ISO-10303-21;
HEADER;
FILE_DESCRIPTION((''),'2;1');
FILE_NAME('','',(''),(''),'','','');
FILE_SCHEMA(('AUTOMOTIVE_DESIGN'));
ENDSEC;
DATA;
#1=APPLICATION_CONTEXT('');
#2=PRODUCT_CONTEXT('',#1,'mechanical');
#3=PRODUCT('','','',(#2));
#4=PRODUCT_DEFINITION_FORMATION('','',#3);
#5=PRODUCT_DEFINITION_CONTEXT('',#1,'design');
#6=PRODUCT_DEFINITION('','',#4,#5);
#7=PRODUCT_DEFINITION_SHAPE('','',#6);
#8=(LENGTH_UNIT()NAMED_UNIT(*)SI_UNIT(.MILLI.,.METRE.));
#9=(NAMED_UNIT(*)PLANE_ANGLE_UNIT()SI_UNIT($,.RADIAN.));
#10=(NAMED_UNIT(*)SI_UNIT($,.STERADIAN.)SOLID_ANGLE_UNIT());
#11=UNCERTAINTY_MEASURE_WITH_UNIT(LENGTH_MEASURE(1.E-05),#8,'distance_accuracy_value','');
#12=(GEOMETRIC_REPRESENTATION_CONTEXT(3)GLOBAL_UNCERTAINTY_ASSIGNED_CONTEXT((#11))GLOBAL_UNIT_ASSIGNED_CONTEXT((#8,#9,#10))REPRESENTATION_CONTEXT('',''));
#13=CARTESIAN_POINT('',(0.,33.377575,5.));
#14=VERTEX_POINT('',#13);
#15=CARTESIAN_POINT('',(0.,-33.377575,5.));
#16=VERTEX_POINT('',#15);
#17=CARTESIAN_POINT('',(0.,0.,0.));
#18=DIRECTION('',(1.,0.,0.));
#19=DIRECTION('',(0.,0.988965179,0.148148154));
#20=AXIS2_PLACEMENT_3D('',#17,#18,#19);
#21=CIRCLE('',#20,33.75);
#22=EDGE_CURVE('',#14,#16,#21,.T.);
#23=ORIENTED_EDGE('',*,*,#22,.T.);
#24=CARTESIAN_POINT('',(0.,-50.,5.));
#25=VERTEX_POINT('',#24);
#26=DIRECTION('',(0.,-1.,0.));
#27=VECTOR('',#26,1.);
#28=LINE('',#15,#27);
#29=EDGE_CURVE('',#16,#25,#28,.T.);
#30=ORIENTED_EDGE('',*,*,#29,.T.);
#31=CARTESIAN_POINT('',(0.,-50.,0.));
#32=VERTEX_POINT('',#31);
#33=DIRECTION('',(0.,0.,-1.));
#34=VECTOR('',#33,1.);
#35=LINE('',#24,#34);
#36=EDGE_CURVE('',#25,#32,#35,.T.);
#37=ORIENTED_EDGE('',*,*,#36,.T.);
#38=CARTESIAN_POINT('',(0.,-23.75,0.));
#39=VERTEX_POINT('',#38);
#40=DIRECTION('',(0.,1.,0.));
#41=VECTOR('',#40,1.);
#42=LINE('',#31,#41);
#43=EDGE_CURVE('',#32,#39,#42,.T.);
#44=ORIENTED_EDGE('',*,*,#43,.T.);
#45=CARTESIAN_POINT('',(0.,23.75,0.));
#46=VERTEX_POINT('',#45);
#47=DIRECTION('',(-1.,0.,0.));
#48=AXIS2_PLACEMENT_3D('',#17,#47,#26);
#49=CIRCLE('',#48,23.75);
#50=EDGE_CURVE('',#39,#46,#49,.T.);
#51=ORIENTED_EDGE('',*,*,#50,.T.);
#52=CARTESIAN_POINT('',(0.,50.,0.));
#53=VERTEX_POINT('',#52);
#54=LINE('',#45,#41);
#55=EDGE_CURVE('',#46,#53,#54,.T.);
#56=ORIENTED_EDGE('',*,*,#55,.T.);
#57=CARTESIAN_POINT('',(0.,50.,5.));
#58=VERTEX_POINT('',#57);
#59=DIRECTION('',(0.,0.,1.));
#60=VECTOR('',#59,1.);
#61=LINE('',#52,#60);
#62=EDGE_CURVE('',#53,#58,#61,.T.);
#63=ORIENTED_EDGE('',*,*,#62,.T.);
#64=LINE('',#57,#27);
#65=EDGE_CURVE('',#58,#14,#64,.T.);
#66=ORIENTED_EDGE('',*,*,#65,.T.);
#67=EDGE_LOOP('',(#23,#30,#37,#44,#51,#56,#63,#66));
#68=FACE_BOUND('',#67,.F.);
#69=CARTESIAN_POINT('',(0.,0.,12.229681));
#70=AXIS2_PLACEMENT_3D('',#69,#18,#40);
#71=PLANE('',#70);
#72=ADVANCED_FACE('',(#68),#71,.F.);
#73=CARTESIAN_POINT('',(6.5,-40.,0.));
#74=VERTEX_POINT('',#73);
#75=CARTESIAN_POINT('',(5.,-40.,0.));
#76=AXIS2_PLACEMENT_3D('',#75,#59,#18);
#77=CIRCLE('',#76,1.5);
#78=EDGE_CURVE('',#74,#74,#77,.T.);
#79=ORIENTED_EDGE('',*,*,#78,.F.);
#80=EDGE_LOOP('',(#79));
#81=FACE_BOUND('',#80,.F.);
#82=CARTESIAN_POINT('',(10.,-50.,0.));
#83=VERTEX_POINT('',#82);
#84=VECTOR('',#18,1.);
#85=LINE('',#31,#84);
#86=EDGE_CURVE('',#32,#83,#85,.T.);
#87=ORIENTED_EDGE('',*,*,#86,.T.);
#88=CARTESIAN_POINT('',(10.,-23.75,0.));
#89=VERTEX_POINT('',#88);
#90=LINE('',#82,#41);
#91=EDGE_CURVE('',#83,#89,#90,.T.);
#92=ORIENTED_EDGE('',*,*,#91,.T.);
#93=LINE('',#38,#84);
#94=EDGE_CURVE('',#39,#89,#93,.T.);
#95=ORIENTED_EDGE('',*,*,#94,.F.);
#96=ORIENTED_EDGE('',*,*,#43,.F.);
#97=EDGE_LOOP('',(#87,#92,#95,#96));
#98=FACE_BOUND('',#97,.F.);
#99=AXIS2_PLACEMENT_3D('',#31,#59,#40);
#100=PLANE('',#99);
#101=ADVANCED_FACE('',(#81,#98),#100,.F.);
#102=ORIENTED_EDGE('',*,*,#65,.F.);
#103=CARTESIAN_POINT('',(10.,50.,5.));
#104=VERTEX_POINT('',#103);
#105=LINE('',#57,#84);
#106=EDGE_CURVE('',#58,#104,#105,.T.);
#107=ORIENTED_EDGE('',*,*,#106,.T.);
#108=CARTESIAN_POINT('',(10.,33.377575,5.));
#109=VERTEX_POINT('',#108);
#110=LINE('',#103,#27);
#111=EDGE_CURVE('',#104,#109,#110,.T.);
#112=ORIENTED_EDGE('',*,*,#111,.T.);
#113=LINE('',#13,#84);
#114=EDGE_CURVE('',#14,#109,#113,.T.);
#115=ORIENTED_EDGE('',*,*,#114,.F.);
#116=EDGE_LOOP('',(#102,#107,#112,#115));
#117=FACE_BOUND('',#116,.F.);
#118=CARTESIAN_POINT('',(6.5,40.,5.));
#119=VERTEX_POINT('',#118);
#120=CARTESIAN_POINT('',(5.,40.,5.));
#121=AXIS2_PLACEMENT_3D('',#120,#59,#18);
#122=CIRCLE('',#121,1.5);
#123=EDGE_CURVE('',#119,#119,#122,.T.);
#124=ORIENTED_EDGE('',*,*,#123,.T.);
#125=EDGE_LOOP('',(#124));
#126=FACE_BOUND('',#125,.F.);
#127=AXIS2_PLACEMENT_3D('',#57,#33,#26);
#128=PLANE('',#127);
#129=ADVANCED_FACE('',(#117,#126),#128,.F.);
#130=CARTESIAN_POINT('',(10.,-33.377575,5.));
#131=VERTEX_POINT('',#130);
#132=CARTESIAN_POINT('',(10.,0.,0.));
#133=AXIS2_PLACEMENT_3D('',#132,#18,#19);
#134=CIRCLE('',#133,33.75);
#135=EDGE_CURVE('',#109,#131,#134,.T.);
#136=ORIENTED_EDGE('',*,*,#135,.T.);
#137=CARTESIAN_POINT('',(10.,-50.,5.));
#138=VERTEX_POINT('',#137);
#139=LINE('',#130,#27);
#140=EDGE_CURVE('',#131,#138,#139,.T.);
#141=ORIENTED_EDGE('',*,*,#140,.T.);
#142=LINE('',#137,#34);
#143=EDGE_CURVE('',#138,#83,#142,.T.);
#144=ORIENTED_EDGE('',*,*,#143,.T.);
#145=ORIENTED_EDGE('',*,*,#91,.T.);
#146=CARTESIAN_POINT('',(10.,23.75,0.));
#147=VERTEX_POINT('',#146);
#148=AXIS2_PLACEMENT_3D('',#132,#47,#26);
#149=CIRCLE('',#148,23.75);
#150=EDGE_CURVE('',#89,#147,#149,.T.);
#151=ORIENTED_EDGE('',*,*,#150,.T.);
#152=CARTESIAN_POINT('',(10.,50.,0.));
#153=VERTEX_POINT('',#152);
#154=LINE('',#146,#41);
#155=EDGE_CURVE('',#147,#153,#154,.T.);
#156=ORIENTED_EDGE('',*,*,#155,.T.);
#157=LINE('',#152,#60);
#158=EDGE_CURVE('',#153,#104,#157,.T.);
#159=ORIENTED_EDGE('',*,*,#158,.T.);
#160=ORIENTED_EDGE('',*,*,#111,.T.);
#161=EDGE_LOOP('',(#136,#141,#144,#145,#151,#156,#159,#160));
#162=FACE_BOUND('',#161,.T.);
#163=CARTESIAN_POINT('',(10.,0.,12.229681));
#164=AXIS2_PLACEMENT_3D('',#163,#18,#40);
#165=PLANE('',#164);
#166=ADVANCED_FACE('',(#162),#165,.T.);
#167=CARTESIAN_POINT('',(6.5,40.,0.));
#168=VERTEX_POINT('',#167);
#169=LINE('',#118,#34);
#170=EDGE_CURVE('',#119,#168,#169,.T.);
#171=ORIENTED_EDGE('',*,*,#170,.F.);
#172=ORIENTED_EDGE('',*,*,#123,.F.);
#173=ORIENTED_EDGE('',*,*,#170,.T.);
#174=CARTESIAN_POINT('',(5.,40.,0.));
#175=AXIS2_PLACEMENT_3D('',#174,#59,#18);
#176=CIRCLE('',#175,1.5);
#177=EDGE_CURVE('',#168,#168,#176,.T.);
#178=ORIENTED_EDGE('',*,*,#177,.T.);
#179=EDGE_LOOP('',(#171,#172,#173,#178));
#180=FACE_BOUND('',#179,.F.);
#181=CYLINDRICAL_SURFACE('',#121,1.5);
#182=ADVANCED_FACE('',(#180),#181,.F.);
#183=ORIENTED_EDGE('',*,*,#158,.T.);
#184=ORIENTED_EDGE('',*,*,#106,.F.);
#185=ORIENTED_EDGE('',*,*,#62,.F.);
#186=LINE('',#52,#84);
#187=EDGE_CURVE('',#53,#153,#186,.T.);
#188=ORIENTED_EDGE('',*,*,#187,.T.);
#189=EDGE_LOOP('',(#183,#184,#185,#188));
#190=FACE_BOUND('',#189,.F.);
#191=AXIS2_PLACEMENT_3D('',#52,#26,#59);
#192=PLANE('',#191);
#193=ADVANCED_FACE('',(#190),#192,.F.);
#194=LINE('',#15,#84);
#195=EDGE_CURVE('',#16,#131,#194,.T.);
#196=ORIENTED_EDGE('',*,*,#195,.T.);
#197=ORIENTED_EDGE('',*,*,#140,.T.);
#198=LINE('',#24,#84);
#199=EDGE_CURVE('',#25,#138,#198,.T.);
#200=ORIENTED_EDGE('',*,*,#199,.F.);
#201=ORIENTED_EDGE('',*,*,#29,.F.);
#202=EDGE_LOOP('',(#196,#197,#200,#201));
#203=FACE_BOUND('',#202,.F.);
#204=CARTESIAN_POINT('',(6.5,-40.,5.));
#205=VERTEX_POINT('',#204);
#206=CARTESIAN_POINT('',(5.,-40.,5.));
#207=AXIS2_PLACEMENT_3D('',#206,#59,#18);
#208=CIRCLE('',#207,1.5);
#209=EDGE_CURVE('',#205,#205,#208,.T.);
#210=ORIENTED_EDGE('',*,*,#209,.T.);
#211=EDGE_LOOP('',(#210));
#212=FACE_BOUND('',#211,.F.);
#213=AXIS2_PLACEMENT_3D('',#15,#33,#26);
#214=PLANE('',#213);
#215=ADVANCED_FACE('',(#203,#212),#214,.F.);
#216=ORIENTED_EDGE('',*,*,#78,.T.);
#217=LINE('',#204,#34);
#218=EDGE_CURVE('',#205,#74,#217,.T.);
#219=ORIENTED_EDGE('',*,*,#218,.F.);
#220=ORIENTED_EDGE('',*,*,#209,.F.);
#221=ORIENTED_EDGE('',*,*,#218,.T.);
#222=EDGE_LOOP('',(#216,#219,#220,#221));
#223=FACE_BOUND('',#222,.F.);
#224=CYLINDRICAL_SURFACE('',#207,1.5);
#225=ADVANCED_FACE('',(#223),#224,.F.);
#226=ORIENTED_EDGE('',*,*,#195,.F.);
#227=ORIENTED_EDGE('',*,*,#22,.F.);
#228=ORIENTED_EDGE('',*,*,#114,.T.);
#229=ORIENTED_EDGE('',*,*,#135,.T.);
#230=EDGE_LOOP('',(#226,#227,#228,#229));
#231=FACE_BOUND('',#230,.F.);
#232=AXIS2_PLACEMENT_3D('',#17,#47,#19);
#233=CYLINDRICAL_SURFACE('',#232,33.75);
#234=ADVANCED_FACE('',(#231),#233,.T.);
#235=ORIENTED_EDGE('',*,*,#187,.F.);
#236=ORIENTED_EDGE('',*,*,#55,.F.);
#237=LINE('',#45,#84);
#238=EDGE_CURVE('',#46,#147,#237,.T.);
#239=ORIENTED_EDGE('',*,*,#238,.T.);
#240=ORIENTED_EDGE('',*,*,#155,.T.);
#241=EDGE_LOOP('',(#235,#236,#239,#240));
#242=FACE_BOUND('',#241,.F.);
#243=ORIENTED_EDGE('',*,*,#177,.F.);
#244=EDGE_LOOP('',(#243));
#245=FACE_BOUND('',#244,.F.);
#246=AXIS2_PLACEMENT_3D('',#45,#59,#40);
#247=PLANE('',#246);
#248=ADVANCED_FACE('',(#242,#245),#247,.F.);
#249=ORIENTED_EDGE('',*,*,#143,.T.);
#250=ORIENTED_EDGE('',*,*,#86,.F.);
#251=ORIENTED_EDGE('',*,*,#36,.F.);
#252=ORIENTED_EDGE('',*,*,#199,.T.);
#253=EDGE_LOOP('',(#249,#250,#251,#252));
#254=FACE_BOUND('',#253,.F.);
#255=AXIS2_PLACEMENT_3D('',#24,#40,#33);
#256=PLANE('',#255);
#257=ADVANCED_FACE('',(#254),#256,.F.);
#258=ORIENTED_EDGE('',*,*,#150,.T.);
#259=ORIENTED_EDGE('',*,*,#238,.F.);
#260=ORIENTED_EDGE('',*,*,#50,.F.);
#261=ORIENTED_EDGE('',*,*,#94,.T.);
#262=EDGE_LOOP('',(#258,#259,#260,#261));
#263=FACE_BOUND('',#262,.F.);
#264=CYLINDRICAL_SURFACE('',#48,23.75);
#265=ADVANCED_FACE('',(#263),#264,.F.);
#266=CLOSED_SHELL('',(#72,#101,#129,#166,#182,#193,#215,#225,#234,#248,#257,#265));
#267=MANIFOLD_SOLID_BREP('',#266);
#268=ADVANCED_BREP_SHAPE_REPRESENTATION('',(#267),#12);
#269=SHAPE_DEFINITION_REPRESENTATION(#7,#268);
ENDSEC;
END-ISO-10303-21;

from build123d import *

# Parameters (mm, degrees)
F1_DEPTH = 10
F2_R     = 1.5
F3_DEPTH = 25


with BuildPart() as f1:
    # F0 (on Right) → F1 (new body)
    with BuildSketch(Plane.YZ):
        with BuildLine():
            Line((-50, 0), (-23.75, 0))
            ThreePointArc((-23.75, 0), (0, 23.75), (23.75, 0))
            Line((23.75, 0), (50, 0))
            Line((50, 0), (50, 5))
            Line((50, 5), (33.377575, 5))
            ThreePointArc((33.377575, 5), (0, 33.75), (-33.377575, 5))
            Line((-33.377575, 5), (-50, 5))
            Line((-50, 5), (-50, 0))
        make_face()
    extrude(amount=F1_DEPTH)

    # F2 (on face) → F3 (cut)
    with BuildSketch(Plane.XY.offset(5)):
        with Locations((5, 40)):
            Circle(F2_R)
        with Locations((5, -40)):
            Circle(F2_R)
    extrude(amount=-F3_DEPTH, mode=Mode.SUBTRACT)


solid = f1.part
